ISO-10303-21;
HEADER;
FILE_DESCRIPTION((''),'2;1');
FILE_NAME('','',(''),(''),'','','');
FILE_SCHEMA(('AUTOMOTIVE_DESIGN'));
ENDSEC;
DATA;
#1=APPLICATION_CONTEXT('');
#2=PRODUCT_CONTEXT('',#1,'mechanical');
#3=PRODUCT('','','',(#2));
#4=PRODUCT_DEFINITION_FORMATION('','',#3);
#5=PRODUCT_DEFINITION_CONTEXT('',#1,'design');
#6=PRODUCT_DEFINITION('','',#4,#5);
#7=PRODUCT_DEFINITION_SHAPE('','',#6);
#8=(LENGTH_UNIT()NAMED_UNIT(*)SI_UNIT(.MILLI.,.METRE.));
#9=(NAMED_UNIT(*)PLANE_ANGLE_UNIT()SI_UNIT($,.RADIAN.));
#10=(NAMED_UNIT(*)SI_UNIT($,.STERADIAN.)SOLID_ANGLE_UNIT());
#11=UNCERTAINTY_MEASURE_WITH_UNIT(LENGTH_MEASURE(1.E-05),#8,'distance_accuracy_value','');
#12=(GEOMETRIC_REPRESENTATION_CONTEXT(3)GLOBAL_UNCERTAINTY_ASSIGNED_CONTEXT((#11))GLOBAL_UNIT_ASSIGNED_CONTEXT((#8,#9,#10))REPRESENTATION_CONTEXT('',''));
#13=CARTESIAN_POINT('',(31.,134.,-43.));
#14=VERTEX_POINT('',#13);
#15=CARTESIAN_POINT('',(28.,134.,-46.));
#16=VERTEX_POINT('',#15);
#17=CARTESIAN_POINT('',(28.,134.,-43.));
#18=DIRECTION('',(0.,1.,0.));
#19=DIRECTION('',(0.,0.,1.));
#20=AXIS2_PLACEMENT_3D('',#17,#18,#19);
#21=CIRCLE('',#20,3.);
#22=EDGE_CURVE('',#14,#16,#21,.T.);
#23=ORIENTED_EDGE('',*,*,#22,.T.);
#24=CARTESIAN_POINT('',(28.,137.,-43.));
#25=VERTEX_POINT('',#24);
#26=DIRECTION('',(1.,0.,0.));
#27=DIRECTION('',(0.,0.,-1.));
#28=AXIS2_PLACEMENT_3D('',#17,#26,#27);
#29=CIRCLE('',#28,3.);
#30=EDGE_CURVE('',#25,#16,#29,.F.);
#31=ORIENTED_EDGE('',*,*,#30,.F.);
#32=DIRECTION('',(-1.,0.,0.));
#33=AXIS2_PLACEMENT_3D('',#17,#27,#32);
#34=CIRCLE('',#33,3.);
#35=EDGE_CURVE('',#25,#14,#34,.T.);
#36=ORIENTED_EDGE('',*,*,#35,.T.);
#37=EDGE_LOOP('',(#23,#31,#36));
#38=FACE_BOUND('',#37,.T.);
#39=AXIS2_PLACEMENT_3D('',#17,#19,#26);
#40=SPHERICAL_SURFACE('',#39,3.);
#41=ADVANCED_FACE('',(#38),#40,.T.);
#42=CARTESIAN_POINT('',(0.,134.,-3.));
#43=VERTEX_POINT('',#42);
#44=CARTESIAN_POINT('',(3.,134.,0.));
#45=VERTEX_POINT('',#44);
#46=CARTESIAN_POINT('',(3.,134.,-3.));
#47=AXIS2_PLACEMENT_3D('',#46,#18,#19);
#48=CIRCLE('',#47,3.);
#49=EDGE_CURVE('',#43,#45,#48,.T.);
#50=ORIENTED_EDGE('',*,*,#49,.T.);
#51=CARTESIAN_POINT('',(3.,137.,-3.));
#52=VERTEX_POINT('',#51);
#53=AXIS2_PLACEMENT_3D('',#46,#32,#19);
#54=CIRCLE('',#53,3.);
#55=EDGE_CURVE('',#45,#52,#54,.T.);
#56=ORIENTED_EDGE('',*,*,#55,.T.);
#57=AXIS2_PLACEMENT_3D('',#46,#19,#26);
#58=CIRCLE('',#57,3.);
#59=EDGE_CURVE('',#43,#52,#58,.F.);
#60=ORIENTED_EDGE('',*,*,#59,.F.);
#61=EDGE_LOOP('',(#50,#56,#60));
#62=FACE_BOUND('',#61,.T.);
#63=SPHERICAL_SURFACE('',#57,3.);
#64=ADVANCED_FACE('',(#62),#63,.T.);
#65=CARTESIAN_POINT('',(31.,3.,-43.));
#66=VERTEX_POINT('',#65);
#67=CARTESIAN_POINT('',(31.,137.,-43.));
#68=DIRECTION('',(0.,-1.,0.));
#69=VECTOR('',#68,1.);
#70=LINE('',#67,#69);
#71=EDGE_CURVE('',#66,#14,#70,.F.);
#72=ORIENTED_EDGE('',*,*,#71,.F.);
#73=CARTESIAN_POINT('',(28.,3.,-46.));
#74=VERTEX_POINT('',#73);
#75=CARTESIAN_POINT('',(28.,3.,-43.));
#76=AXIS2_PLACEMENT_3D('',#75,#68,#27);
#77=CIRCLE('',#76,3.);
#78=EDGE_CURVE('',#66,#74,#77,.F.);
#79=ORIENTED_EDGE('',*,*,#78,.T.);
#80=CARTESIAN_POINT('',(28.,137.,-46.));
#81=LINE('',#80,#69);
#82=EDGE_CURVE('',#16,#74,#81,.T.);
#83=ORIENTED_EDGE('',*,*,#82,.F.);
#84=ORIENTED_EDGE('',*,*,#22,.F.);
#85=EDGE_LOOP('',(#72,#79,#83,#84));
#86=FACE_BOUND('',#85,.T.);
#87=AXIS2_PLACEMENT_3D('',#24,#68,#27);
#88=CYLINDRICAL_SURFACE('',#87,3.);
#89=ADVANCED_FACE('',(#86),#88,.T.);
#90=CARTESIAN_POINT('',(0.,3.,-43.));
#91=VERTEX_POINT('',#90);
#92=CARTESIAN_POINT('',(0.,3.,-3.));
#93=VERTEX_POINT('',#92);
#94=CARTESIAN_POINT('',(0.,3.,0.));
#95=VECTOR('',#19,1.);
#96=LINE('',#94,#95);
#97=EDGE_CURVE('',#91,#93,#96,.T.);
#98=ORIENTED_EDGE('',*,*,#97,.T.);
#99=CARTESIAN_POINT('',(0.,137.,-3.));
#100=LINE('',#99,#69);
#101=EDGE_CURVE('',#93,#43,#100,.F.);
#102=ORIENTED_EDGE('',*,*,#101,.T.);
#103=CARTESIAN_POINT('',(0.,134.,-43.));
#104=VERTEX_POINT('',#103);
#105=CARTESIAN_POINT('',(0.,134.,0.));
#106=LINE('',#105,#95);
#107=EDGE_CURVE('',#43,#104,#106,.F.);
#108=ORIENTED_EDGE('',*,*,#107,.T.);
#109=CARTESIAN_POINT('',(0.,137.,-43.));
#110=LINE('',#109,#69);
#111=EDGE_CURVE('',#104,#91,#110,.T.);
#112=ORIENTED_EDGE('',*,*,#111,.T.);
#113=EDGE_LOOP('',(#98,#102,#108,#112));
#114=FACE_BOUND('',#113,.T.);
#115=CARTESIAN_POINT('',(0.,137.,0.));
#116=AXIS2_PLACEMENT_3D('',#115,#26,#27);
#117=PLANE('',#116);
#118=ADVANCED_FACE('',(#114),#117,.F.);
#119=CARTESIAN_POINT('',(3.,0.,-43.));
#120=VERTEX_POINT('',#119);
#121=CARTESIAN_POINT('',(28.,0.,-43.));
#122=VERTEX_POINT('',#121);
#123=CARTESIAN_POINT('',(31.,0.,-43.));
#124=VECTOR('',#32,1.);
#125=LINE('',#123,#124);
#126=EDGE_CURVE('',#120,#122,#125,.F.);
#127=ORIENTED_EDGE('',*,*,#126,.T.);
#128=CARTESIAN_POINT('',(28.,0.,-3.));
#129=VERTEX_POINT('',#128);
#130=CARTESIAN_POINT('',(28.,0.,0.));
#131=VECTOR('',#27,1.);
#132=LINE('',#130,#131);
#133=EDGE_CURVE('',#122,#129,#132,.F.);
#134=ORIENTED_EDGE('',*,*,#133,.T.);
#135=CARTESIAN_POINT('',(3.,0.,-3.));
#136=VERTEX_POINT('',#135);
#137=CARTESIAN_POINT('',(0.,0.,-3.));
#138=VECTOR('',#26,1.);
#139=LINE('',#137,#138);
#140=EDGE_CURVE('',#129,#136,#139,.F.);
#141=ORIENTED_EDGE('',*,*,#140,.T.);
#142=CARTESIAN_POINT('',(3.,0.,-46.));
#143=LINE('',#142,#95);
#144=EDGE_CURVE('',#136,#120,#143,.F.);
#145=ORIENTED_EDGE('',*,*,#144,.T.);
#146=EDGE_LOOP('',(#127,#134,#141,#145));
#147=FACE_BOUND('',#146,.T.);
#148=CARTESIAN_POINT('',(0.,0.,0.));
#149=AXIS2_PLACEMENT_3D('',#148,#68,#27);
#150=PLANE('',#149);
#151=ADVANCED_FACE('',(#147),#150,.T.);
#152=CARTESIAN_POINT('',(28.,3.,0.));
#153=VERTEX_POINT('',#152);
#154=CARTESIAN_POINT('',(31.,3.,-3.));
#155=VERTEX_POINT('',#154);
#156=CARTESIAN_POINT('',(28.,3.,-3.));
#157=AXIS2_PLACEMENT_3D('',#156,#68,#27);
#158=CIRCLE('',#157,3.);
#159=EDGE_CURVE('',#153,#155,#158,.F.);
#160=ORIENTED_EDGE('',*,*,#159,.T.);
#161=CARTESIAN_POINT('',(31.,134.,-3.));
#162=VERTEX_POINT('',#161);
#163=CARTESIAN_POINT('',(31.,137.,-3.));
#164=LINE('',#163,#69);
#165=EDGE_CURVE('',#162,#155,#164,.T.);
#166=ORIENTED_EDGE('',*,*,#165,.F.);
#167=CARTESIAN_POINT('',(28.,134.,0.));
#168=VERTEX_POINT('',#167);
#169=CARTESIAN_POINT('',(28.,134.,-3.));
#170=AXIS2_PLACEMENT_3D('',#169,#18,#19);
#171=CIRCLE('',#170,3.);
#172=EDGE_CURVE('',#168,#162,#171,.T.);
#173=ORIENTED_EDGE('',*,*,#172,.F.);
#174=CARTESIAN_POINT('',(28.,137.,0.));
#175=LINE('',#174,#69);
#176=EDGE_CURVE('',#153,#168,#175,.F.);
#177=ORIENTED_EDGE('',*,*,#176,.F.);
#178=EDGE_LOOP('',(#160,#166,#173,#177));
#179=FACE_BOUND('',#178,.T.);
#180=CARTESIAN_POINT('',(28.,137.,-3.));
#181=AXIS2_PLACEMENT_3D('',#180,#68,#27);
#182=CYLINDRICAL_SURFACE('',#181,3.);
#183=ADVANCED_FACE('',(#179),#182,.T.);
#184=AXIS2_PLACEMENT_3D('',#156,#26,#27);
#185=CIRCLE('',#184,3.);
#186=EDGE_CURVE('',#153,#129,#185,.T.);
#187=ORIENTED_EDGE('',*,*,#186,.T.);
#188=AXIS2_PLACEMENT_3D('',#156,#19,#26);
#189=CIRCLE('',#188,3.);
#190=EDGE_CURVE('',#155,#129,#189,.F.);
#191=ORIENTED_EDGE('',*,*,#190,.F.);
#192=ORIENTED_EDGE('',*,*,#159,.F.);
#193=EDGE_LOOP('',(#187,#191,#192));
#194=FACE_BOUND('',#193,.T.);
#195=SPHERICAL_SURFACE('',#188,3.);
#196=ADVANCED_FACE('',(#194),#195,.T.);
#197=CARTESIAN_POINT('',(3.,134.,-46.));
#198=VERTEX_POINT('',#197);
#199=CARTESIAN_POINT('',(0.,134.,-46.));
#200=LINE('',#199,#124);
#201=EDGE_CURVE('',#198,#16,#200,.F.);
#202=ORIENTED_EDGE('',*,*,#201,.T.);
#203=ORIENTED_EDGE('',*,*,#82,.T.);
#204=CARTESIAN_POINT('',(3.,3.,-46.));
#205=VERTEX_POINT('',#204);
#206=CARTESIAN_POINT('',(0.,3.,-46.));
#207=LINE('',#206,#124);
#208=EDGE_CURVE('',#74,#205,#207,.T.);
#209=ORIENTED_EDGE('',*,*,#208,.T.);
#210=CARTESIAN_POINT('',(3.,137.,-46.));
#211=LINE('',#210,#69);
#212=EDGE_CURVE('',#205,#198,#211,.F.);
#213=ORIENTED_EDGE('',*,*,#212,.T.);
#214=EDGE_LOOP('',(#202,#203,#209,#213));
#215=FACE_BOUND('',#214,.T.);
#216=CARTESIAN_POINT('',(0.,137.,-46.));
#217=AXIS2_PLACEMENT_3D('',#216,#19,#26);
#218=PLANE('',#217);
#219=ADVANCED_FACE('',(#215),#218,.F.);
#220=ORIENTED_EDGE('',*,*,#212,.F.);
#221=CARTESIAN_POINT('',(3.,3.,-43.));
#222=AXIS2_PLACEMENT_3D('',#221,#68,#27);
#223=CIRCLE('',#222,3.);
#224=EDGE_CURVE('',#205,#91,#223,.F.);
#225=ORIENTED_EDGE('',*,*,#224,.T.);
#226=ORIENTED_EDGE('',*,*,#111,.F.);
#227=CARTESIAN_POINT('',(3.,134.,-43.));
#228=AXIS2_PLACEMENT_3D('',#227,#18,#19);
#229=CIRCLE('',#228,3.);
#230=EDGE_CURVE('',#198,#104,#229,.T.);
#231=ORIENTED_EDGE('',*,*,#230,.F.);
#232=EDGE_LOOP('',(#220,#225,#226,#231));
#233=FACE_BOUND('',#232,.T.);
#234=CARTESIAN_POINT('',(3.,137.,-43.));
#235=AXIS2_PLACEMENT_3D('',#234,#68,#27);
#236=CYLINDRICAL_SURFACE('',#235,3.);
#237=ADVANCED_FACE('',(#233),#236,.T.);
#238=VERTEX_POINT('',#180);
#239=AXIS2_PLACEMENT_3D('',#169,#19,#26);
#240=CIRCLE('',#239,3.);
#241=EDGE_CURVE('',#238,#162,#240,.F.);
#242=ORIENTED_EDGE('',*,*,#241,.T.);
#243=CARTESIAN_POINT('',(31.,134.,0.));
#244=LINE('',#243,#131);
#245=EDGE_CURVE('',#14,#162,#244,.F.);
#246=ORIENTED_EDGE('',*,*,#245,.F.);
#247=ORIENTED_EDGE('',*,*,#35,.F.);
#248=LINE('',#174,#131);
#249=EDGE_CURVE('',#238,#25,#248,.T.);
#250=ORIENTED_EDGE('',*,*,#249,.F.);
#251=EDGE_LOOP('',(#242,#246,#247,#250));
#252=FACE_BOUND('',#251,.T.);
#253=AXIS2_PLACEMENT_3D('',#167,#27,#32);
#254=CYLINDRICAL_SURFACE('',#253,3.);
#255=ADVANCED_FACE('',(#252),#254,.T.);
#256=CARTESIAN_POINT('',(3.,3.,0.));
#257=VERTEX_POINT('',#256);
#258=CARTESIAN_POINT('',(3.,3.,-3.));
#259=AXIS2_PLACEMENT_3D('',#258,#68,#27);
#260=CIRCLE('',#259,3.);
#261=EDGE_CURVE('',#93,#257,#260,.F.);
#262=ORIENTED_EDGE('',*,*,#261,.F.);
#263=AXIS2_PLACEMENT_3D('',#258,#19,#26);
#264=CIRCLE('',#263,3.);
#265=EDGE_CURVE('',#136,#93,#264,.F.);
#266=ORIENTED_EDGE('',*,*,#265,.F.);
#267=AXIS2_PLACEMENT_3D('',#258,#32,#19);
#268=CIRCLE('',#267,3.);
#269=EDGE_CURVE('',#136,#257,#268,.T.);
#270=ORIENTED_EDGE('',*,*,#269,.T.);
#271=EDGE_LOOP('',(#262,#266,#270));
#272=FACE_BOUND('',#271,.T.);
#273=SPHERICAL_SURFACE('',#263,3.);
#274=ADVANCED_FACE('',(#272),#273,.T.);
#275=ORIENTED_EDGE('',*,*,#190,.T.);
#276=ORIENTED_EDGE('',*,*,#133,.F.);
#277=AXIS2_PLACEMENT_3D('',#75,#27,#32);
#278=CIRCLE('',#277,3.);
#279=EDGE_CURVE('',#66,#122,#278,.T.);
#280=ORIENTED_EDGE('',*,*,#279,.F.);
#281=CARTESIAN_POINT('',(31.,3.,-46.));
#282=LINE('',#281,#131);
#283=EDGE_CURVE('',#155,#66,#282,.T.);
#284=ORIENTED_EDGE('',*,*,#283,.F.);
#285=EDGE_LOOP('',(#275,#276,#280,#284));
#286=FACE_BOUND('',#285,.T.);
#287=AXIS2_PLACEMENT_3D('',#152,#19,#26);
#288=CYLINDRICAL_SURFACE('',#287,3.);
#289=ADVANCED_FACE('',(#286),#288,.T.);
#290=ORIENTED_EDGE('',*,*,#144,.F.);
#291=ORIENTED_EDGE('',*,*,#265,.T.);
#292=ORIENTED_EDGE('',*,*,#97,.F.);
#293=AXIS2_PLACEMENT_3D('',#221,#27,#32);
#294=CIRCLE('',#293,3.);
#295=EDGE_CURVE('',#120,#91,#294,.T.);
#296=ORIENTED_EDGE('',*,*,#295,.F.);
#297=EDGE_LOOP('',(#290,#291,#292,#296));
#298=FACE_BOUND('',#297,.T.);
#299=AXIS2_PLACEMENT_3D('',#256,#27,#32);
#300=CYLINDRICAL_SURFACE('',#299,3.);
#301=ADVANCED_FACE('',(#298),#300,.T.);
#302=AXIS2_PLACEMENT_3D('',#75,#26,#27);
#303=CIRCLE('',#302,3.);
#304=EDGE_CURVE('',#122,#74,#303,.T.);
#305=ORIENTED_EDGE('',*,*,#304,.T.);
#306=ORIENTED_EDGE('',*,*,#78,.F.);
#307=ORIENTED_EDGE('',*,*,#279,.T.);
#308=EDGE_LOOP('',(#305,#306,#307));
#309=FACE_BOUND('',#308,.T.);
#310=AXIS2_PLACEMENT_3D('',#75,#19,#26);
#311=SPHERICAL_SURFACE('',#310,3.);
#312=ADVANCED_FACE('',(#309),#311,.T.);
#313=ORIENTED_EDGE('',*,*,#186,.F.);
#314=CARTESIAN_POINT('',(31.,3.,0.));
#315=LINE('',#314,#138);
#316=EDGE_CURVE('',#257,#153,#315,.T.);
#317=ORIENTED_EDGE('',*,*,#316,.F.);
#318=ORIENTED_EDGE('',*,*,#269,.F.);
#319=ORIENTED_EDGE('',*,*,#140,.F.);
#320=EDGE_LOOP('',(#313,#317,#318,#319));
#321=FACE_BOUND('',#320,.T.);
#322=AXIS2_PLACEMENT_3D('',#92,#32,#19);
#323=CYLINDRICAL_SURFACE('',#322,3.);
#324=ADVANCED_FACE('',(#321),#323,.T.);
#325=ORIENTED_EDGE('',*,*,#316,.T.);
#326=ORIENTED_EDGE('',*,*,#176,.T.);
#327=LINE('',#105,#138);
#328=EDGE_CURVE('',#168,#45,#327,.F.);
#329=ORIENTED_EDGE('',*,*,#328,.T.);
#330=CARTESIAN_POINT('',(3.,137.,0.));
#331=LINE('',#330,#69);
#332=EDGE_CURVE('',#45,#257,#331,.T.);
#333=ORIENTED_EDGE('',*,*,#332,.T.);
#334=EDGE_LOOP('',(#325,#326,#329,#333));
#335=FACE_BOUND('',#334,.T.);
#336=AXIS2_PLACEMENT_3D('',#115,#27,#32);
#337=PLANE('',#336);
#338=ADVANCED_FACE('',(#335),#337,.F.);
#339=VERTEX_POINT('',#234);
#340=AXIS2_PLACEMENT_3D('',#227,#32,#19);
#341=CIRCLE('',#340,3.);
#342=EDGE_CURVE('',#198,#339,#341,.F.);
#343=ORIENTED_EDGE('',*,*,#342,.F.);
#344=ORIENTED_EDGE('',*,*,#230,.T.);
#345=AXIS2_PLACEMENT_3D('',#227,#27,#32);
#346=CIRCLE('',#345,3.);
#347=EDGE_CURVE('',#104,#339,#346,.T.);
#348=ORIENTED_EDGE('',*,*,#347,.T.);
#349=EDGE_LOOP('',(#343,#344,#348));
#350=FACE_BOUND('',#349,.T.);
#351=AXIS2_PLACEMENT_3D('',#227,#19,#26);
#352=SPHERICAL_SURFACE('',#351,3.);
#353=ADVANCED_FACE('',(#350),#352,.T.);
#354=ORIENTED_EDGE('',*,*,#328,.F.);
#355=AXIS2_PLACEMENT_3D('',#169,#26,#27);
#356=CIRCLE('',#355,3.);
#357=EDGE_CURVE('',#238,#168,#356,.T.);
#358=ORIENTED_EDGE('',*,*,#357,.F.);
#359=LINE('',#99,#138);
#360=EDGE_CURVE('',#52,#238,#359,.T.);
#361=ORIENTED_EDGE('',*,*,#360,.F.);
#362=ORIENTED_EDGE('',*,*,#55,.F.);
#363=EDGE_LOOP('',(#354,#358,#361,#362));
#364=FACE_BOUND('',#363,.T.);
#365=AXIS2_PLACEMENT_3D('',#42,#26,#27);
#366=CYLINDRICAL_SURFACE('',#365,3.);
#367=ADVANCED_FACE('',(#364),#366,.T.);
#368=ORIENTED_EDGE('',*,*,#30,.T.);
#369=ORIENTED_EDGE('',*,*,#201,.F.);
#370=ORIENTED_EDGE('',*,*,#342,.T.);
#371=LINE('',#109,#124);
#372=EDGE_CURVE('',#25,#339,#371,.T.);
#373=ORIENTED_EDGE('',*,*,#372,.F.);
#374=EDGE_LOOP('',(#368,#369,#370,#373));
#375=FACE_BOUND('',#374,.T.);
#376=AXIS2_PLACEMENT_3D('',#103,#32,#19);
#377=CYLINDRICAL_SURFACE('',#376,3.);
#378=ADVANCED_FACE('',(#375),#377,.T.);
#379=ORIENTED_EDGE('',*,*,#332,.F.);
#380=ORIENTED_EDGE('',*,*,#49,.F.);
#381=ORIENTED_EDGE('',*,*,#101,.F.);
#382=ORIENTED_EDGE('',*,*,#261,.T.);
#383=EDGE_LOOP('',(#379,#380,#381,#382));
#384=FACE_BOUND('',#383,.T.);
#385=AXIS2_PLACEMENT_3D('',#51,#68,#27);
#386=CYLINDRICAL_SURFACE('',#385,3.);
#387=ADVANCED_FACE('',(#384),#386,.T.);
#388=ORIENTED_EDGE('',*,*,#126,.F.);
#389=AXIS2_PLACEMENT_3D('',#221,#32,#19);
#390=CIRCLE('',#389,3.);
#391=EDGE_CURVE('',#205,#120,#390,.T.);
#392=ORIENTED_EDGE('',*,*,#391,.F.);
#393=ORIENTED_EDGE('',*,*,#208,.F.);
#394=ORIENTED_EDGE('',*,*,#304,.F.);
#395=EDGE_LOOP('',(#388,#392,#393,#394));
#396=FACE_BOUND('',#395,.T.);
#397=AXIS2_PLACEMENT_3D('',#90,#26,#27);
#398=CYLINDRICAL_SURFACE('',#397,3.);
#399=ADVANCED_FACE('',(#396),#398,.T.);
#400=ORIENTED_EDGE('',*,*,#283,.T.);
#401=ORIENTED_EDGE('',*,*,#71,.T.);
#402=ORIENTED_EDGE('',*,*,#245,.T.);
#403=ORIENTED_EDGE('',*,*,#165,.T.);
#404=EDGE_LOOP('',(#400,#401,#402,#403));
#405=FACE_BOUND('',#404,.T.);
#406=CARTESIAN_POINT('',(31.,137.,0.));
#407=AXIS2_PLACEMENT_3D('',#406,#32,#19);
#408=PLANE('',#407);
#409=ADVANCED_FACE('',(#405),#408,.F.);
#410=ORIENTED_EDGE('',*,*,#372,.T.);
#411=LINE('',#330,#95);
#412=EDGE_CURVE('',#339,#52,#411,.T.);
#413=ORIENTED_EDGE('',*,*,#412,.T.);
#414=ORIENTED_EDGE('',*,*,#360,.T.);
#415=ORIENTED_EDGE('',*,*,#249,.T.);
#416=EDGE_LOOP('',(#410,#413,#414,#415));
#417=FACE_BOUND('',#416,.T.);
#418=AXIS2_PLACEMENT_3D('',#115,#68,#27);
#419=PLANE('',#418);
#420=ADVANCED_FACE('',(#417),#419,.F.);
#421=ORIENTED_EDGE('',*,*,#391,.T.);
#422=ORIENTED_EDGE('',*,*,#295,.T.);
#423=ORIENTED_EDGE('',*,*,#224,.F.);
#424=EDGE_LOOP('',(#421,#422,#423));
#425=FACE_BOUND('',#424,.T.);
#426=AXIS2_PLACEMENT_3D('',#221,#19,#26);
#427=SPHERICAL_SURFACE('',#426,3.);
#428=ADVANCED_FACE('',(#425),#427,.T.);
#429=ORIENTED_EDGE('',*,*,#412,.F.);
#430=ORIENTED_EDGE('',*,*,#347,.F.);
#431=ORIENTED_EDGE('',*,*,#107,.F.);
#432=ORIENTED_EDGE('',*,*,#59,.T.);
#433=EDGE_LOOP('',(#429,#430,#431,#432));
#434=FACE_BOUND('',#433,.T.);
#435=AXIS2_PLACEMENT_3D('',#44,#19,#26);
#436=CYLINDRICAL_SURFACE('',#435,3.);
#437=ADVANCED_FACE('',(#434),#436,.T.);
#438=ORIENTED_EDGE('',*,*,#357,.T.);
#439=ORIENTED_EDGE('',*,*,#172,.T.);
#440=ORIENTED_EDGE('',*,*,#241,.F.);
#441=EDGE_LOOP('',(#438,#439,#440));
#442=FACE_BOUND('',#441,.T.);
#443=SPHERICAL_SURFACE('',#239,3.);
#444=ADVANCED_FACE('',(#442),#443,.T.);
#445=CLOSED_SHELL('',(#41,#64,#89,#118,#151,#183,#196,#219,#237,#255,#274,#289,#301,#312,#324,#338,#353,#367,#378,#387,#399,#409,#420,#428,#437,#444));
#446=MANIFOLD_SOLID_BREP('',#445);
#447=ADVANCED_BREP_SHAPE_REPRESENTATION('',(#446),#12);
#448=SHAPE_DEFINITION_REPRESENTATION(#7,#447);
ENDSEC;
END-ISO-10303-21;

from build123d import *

# Parameters (mm, degrees)
SKETCH1_W           = 31
SKETCH1_H           = 46
BOSS_EXTRUDE1_DEPTH = 137
FILLET1_R           = 3


with BuildPart() as part:
    # Sketch1 → Boss-Extrude1 (new body)
    with BuildSketch(Plane(origin=(0, 0, 0), x_dir=(1, 0, 0), z_dir=(0, 1, 0))):
        with Locations((15.5, 23)):
            Rectangle(SKETCH1_W, SKETCH1_H)
    extrude(amount=BOSS_EXTRUDE1_DEPTH)

    # Fillet1
    fillet1_edges = [part.edges().sort_by_distance(p)[0] for p in [
        (31, 137, -23),
        (15.5, 137, -46),
        (0, 137, -23),
        (15.5, 0, -46),
        (31, 0, -23),
        (15.5, 0, 0),
        (0, 0, -23),
        (15.5, 137, 0),
        (0, 68.5, -46),
        (31, 68.5, -46),
        (31, 68.5, 0),
        (0, 68.5, 0),
    ]]
    fillet(fillet1_edges, radius=FILLET1_R)


solid = part.part
